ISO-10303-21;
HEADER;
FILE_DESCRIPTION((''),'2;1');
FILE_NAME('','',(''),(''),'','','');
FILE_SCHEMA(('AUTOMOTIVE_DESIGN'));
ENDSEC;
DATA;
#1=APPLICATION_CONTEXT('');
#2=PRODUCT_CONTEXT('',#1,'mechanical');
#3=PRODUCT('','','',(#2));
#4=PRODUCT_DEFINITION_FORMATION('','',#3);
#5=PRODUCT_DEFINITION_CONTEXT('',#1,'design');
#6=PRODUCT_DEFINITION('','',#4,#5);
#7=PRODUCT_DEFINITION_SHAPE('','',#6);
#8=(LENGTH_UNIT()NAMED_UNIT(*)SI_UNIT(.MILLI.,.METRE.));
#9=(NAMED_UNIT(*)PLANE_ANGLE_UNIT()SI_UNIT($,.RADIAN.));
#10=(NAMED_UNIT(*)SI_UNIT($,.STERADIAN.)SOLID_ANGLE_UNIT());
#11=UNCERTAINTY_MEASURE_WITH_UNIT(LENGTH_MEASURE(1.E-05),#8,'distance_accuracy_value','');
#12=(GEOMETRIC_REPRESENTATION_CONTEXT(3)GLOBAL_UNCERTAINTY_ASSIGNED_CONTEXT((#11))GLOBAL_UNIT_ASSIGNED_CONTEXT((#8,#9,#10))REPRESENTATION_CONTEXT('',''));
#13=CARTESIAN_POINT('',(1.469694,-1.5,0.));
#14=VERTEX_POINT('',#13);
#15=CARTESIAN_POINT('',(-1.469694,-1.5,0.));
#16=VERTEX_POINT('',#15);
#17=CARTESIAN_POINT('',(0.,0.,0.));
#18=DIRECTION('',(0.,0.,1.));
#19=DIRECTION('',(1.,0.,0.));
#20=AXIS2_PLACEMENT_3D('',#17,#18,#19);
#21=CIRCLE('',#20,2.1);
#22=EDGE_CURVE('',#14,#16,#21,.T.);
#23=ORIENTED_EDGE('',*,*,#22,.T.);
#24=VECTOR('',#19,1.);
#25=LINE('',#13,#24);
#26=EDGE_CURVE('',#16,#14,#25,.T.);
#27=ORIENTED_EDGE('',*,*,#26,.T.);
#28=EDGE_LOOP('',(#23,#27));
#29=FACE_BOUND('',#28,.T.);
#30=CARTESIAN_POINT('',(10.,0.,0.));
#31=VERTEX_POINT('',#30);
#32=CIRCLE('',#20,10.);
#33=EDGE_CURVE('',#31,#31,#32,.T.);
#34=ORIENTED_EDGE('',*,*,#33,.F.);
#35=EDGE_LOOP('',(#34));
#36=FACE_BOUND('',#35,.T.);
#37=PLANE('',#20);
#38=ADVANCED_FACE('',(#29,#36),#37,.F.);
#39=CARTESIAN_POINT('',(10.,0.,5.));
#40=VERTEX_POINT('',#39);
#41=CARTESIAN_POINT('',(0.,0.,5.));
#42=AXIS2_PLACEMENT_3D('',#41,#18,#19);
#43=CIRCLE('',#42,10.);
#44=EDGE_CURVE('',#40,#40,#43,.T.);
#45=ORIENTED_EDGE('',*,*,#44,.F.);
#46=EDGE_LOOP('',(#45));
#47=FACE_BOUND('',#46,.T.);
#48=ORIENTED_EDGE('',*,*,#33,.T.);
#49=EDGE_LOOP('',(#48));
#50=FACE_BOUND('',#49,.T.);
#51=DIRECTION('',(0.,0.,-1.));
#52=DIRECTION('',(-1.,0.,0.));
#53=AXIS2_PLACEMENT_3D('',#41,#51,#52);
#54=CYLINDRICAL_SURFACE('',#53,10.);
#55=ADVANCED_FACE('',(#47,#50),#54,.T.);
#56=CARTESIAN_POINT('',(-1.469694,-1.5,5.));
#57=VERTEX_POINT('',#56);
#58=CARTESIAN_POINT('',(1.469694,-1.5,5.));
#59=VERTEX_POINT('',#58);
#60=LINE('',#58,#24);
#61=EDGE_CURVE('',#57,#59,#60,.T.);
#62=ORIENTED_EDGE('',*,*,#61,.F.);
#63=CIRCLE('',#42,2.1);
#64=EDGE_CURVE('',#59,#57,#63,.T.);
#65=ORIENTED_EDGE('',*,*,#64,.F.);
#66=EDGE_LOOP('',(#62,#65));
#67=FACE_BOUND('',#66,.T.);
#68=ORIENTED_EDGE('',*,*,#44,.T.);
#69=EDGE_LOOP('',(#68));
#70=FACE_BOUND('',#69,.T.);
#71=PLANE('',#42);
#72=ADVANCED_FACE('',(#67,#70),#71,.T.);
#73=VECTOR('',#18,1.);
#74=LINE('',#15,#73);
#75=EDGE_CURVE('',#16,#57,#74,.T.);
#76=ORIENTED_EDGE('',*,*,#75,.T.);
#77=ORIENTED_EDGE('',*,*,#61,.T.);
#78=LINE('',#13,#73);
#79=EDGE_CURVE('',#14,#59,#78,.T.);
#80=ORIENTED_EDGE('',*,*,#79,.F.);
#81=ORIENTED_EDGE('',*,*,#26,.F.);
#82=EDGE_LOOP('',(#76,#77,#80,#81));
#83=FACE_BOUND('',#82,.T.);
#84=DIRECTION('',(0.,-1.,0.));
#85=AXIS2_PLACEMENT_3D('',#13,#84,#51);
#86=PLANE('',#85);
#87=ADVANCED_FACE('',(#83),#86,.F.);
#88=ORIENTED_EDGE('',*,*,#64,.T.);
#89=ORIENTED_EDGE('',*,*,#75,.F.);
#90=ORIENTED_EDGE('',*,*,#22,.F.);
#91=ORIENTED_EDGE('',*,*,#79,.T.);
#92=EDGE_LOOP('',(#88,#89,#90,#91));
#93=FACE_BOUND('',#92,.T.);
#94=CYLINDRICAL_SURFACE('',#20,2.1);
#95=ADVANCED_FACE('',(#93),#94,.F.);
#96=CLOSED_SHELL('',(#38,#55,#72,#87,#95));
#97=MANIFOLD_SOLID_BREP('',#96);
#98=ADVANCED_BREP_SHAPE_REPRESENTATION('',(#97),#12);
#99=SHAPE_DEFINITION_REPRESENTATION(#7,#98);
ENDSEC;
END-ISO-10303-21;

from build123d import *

# Parameters (mm, degrees)
SKETCH_1_R          = 10
EXTRUDE_2_DEPTH     = 5
CUT_EXTRUDE_1_DEPTH = 5


with BuildPart() as part:
    # Эскиз1 → Бобышка-Вытянуть2 (new body)
    with BuildSketch(Plane.XY):
        Circle(SKETCH_1_R)
    extrude(amount=EXTRUDE_2_DEPTH)

    # Эскиз3 → Вырез-Вытянуть1 (cut)
    with BuildSketch(Plane.XY.offset(5)):
        with BuildLine():
            Line((1.469693846, -1.5), (-1.469693846, -1.5))
            ThreePointArc((-1.469693846, -1.5), (0, 2.1), (1.469693846, -1.5))
        make_face()
    extrude(amount=-CUT_EXTRUDE_1_DEPTH, mode=Mode.SUBTRACT)


solid = part.part
